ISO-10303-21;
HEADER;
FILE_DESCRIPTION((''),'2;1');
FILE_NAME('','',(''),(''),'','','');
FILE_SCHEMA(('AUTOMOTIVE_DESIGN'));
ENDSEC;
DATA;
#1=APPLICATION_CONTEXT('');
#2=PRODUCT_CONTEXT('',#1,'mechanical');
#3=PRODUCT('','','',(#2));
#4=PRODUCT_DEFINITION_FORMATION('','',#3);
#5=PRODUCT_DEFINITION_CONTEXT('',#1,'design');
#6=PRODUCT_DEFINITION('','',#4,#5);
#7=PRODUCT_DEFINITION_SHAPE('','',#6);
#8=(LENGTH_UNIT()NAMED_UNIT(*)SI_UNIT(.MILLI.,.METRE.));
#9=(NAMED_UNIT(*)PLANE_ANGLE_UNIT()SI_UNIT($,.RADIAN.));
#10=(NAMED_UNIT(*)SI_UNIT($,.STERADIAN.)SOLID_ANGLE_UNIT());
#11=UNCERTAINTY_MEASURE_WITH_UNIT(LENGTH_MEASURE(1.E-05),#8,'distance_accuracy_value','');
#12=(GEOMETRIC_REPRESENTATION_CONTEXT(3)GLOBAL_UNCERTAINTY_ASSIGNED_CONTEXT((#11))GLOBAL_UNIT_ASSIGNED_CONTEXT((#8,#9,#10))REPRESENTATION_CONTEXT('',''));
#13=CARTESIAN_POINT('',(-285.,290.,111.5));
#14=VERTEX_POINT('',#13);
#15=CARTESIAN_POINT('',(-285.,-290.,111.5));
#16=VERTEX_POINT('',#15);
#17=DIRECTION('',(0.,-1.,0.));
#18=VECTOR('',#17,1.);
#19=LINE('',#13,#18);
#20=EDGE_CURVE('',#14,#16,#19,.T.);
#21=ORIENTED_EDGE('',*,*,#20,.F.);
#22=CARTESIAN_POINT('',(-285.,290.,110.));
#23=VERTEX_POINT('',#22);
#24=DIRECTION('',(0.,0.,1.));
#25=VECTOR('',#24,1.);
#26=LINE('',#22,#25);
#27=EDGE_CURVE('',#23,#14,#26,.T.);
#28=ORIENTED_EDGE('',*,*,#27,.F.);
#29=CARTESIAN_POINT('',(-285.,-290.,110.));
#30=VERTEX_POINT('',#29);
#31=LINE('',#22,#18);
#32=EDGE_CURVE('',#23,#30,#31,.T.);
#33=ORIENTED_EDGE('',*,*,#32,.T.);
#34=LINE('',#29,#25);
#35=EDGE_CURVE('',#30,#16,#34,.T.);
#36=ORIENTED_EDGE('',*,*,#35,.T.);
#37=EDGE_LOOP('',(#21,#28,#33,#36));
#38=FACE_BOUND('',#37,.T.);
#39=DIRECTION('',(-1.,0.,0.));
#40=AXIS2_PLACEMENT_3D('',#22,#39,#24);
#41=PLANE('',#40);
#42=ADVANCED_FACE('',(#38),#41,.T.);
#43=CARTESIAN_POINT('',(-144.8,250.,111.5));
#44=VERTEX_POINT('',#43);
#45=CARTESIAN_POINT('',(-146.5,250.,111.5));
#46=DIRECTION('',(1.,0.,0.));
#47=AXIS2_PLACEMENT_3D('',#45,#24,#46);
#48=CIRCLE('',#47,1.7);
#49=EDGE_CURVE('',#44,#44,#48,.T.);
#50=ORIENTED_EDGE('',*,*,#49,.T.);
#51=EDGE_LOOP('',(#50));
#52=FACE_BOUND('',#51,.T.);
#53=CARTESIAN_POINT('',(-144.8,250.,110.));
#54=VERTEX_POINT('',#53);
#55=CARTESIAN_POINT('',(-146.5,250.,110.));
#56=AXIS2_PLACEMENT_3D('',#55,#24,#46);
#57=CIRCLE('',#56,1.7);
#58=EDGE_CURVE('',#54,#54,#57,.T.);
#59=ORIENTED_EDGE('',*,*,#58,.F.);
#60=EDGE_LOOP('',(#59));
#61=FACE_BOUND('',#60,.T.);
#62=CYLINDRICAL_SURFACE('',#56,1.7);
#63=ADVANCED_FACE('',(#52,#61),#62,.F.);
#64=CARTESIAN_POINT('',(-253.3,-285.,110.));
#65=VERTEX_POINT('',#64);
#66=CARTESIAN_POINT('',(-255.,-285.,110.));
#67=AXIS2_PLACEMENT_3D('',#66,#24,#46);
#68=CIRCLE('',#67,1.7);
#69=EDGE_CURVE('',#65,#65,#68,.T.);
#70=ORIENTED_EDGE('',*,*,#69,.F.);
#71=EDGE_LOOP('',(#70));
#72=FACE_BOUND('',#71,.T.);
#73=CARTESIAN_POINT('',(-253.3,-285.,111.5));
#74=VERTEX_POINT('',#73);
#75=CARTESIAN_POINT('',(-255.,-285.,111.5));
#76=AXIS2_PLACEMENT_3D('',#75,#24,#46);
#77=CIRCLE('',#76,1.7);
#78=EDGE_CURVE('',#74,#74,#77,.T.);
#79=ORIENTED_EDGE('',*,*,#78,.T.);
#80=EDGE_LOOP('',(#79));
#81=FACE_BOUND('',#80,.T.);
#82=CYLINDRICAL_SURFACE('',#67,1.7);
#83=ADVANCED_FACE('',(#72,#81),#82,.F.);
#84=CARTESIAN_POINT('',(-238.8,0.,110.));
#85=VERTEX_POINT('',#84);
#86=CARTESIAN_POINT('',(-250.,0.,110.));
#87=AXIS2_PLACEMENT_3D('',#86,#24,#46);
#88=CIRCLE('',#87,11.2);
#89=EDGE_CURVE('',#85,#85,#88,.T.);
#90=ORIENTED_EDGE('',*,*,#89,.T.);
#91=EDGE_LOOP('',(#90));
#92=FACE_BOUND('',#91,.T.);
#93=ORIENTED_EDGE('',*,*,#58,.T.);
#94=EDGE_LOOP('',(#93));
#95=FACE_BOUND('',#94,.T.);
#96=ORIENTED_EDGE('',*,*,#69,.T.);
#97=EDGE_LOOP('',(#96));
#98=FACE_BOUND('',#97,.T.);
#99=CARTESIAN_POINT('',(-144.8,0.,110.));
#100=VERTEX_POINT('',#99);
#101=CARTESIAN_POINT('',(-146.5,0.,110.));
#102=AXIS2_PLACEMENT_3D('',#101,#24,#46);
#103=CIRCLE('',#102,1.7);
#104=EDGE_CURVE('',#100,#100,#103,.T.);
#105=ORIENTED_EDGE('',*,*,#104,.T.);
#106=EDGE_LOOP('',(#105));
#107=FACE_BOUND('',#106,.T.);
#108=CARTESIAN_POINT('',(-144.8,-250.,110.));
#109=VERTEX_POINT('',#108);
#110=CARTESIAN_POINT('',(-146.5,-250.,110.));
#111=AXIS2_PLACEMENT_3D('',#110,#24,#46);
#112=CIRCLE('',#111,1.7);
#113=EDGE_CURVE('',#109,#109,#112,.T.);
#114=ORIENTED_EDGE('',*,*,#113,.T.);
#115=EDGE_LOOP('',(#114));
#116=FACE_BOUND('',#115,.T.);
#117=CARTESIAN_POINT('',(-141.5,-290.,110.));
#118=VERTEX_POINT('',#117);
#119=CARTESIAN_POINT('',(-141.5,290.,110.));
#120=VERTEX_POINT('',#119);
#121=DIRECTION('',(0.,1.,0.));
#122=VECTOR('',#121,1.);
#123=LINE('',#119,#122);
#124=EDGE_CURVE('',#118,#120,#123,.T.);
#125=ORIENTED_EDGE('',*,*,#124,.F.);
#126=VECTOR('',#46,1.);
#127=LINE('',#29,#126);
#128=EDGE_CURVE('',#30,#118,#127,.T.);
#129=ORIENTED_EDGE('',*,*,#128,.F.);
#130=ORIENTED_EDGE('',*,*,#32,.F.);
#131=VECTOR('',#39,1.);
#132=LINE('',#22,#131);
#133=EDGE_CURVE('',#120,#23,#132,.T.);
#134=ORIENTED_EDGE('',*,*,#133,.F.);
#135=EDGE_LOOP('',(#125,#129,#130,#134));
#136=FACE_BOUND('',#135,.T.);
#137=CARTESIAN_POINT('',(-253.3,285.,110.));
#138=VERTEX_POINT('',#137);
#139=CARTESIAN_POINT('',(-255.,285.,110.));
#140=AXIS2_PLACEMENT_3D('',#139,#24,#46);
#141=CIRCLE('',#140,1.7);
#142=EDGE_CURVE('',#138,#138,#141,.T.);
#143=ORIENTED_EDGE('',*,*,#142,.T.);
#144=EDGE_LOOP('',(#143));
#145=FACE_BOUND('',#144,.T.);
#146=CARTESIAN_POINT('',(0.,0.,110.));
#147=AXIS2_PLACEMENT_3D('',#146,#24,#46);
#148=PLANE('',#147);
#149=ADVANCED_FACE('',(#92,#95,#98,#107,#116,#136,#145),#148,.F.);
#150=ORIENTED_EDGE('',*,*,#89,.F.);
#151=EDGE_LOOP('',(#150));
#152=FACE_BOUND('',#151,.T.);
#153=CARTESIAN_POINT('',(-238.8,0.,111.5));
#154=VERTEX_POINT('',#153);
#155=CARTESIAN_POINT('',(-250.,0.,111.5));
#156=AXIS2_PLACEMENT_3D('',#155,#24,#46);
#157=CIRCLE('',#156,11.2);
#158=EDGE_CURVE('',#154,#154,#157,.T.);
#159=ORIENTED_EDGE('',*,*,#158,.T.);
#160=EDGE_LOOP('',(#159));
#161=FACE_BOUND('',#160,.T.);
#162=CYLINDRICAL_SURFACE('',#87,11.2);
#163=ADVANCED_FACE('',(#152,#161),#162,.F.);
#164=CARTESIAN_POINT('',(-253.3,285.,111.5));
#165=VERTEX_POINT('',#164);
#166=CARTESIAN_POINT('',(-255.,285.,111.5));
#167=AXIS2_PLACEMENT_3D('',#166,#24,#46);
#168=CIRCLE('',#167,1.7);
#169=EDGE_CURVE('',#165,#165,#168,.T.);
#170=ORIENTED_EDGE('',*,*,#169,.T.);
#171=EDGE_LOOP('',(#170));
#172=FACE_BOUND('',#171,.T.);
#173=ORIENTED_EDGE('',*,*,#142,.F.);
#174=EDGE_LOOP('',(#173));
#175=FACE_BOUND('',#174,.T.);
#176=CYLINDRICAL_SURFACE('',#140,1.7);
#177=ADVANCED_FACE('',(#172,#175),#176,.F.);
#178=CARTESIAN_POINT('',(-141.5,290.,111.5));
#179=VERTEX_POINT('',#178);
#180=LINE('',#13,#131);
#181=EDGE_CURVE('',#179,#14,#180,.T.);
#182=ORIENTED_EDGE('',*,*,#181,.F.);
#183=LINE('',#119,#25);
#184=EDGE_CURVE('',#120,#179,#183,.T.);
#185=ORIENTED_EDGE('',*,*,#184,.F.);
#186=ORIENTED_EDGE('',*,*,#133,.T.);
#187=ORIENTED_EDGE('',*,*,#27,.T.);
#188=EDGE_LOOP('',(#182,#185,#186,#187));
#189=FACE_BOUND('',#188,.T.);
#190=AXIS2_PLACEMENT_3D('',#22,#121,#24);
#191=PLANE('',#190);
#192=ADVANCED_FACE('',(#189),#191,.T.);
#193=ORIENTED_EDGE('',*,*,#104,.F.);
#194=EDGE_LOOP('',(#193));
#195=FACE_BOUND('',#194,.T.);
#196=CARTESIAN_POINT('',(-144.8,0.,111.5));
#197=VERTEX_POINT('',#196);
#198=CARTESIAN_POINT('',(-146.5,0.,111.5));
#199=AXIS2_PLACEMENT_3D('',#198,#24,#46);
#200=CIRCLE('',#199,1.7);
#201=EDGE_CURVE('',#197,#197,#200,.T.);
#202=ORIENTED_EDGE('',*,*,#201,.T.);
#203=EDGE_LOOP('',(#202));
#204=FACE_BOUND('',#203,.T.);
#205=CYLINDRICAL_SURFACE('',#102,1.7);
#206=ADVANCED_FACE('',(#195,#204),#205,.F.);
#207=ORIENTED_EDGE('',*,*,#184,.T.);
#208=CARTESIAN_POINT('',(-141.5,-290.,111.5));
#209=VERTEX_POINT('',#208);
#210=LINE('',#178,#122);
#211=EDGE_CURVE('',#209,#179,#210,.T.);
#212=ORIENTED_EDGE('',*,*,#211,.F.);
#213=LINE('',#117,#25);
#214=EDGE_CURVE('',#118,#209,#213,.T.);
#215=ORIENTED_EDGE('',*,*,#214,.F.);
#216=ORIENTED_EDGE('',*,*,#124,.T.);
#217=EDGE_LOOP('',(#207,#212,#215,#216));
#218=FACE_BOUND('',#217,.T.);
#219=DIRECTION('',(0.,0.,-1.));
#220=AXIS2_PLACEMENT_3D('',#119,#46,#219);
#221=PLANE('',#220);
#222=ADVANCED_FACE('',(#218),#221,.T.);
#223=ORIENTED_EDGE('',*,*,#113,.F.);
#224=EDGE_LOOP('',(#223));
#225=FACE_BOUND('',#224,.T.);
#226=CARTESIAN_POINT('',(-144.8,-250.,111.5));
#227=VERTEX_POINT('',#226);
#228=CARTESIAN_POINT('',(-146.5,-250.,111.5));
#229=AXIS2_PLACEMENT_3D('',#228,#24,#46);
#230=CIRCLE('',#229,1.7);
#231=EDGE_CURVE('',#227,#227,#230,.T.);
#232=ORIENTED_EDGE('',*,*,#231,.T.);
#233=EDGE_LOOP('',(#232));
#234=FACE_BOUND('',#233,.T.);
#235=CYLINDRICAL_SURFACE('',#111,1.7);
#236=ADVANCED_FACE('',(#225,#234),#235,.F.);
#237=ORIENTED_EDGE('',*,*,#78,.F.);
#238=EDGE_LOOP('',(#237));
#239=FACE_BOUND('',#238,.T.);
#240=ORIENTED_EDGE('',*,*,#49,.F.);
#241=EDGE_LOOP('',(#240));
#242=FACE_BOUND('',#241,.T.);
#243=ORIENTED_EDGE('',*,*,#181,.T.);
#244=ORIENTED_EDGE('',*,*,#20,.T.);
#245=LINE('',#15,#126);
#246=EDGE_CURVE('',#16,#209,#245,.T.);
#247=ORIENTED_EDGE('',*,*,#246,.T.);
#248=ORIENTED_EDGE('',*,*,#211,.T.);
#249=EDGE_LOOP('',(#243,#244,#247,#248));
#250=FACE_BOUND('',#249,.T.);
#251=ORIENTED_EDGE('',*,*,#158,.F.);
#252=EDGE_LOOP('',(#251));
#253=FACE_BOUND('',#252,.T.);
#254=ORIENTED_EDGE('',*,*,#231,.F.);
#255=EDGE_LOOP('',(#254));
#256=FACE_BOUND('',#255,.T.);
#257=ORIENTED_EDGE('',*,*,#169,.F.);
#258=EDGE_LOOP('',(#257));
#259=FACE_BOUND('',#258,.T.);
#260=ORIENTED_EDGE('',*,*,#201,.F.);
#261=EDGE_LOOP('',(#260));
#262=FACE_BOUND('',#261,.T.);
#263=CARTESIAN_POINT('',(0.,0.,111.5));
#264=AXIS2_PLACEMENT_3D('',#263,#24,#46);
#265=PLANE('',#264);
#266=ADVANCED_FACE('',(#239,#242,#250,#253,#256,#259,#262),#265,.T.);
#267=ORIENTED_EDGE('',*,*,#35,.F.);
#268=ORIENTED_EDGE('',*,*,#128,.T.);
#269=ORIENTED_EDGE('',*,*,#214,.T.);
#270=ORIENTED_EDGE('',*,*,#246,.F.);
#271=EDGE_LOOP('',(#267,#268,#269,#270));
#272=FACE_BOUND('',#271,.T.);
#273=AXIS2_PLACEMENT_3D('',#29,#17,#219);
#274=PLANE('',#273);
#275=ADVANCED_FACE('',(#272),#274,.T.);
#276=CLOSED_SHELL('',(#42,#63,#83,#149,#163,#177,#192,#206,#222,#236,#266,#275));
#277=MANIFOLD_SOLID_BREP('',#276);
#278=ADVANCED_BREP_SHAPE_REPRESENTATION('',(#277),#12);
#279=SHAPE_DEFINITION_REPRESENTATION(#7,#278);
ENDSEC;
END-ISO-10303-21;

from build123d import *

# Parameters (mm, degrees)
MAIN_PROFILE_SKETCH_W   = 143.5
MAIN_PROFILE_SKETCH_H   = 580
MAIN_PROFILE_SKETCH_R   = 1.7
MAIN_PROFILE_SKETCH_R_2 = 11.2
MAIN_EXTRUSION_DEPTH    = 1.5


with BuildPart() as part:
    # Main Profile Sketch → Main Extrusion (new body)
    with BuildSketch(Plane.XY.offset(111.5)):
        with Locations((-213.25, 0)):
            Rectangle(MAIN_PROFILE_SKETCH_W, MAIN_PROFILE_SKETCH_H)
        with Locations((-255, -285)):
            Circle(MAIN_PROFILE_SKETCH_R, mode=Mode.SUBTRACT)
        with Locations((-146.5, -250)):
            Circle(MAIN_PROFILE_SKETCH_R, mode=Mode.SUBTRACT)
        with Locations((-250, 0)):
            Circle(MAIN_PROFILE_SKETCH_R_2, mode=Mode.SUBTRACT)
        with Locations((-255, 285)):
            Circle(MAIN_PROFILE_SKETCH_R, mode=Mode.SUBTRACT)
        with Locations((-146.5, 0)):
            Circle(MAIN_PROFILE_SKETCH_R, mode=Mode.SUBTRACT)
        with Locations((-146.5, 250)):
            Circle(MAIN_PROFILE_SKETCH_R, mode=Mode.SUBTRACT)
    extrude(amount=-MAIN_EXTRUSION_DEPTH)


solid = part.part
